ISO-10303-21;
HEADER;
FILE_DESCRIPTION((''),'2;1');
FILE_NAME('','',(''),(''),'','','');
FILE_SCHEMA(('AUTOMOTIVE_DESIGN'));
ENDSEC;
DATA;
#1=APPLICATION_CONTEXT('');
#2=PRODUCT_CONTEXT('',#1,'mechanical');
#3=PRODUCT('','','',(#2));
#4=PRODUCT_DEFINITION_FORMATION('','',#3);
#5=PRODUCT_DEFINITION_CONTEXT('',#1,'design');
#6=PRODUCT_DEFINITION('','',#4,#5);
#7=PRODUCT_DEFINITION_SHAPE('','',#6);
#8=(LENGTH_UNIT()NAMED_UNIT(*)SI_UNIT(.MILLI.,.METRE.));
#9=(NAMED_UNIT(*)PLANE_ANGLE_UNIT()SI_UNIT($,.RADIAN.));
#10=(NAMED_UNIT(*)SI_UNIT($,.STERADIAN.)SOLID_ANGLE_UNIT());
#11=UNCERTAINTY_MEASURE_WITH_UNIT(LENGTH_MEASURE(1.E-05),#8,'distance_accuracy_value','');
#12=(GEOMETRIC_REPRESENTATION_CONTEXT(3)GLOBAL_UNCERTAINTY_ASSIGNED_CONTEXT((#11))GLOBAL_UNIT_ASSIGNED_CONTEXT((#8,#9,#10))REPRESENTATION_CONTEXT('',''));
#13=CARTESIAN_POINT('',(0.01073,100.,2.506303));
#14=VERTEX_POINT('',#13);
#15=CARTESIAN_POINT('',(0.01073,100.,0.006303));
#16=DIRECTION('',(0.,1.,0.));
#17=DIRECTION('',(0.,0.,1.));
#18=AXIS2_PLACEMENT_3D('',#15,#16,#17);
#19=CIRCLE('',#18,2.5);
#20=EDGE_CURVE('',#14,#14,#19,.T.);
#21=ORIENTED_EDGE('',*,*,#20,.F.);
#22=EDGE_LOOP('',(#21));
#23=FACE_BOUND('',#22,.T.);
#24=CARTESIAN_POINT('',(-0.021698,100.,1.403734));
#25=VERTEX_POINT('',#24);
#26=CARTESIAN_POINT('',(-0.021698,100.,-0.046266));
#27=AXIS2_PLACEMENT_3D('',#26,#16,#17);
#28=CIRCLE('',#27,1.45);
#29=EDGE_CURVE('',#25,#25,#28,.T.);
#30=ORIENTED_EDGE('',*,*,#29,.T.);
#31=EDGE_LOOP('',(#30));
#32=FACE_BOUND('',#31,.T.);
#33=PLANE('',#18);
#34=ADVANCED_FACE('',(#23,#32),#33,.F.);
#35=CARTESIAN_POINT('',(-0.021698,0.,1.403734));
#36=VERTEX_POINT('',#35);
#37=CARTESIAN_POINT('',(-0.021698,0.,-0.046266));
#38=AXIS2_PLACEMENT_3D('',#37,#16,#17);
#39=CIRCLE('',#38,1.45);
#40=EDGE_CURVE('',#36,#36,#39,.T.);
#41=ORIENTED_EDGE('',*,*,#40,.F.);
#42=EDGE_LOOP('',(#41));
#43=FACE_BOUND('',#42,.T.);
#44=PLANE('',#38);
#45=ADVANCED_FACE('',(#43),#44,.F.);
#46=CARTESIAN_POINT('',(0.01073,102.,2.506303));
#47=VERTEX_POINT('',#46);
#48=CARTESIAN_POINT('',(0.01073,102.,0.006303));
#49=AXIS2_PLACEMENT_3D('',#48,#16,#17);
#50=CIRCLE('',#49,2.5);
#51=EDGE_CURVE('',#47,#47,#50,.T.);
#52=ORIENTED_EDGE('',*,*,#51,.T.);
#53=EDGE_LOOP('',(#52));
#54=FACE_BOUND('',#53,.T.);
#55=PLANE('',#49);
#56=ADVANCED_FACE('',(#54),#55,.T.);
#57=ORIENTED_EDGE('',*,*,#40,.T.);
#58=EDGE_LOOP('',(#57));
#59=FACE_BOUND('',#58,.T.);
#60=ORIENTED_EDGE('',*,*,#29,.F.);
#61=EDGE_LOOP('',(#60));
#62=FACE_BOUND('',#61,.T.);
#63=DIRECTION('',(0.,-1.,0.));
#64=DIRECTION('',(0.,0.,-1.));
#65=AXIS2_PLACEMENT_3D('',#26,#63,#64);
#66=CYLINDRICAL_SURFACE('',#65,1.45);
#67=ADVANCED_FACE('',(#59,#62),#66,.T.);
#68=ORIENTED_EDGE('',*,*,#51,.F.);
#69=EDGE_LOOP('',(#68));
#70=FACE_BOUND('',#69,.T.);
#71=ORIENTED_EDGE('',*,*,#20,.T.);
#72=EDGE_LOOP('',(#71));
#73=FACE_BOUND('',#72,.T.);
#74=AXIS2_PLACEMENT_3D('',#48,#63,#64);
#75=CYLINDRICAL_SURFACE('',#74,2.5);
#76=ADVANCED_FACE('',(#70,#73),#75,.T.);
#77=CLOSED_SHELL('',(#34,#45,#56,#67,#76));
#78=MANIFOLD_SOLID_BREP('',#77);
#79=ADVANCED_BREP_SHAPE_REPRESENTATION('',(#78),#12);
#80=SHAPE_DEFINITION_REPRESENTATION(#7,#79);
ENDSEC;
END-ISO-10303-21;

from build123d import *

# Parameters (mm, degrees)
SKETCH1_R           = 1.45
BOSS_EXTRUDE1_DEPTH = 100
SKETCH3_R           = 2.5
BOSS_EXTRUDE3_DEPTH = 2


with BuildPart() as part:
    # Sketch1 → Boss-Extrude1 (new body)
    with BuildSketch(Plane(origin=(0, 0, 0), x_dir=(1, 0, 0), z_dir=(0, 1, 0))):
        with Locations((-0.021698454, 0.046266125)):
            Circle(SKETCH1_R)
    extrude(amount=BOSS_EXTRUDE1_DEPTH)

    # Sketch3 → Boss-Extrude3 (add)
    with BuildSketch(Plane(origin=(0, 100, 0), x_dir=(1, 0, 0), z_dir=(0, 1, 0))):
        with Locations((0.010729748, -0.006302729)):
            Circle(SKETCH3_R)
    extrude(amount=BOSS_EXTRUDE3_DEPTH)


solid = part.part
